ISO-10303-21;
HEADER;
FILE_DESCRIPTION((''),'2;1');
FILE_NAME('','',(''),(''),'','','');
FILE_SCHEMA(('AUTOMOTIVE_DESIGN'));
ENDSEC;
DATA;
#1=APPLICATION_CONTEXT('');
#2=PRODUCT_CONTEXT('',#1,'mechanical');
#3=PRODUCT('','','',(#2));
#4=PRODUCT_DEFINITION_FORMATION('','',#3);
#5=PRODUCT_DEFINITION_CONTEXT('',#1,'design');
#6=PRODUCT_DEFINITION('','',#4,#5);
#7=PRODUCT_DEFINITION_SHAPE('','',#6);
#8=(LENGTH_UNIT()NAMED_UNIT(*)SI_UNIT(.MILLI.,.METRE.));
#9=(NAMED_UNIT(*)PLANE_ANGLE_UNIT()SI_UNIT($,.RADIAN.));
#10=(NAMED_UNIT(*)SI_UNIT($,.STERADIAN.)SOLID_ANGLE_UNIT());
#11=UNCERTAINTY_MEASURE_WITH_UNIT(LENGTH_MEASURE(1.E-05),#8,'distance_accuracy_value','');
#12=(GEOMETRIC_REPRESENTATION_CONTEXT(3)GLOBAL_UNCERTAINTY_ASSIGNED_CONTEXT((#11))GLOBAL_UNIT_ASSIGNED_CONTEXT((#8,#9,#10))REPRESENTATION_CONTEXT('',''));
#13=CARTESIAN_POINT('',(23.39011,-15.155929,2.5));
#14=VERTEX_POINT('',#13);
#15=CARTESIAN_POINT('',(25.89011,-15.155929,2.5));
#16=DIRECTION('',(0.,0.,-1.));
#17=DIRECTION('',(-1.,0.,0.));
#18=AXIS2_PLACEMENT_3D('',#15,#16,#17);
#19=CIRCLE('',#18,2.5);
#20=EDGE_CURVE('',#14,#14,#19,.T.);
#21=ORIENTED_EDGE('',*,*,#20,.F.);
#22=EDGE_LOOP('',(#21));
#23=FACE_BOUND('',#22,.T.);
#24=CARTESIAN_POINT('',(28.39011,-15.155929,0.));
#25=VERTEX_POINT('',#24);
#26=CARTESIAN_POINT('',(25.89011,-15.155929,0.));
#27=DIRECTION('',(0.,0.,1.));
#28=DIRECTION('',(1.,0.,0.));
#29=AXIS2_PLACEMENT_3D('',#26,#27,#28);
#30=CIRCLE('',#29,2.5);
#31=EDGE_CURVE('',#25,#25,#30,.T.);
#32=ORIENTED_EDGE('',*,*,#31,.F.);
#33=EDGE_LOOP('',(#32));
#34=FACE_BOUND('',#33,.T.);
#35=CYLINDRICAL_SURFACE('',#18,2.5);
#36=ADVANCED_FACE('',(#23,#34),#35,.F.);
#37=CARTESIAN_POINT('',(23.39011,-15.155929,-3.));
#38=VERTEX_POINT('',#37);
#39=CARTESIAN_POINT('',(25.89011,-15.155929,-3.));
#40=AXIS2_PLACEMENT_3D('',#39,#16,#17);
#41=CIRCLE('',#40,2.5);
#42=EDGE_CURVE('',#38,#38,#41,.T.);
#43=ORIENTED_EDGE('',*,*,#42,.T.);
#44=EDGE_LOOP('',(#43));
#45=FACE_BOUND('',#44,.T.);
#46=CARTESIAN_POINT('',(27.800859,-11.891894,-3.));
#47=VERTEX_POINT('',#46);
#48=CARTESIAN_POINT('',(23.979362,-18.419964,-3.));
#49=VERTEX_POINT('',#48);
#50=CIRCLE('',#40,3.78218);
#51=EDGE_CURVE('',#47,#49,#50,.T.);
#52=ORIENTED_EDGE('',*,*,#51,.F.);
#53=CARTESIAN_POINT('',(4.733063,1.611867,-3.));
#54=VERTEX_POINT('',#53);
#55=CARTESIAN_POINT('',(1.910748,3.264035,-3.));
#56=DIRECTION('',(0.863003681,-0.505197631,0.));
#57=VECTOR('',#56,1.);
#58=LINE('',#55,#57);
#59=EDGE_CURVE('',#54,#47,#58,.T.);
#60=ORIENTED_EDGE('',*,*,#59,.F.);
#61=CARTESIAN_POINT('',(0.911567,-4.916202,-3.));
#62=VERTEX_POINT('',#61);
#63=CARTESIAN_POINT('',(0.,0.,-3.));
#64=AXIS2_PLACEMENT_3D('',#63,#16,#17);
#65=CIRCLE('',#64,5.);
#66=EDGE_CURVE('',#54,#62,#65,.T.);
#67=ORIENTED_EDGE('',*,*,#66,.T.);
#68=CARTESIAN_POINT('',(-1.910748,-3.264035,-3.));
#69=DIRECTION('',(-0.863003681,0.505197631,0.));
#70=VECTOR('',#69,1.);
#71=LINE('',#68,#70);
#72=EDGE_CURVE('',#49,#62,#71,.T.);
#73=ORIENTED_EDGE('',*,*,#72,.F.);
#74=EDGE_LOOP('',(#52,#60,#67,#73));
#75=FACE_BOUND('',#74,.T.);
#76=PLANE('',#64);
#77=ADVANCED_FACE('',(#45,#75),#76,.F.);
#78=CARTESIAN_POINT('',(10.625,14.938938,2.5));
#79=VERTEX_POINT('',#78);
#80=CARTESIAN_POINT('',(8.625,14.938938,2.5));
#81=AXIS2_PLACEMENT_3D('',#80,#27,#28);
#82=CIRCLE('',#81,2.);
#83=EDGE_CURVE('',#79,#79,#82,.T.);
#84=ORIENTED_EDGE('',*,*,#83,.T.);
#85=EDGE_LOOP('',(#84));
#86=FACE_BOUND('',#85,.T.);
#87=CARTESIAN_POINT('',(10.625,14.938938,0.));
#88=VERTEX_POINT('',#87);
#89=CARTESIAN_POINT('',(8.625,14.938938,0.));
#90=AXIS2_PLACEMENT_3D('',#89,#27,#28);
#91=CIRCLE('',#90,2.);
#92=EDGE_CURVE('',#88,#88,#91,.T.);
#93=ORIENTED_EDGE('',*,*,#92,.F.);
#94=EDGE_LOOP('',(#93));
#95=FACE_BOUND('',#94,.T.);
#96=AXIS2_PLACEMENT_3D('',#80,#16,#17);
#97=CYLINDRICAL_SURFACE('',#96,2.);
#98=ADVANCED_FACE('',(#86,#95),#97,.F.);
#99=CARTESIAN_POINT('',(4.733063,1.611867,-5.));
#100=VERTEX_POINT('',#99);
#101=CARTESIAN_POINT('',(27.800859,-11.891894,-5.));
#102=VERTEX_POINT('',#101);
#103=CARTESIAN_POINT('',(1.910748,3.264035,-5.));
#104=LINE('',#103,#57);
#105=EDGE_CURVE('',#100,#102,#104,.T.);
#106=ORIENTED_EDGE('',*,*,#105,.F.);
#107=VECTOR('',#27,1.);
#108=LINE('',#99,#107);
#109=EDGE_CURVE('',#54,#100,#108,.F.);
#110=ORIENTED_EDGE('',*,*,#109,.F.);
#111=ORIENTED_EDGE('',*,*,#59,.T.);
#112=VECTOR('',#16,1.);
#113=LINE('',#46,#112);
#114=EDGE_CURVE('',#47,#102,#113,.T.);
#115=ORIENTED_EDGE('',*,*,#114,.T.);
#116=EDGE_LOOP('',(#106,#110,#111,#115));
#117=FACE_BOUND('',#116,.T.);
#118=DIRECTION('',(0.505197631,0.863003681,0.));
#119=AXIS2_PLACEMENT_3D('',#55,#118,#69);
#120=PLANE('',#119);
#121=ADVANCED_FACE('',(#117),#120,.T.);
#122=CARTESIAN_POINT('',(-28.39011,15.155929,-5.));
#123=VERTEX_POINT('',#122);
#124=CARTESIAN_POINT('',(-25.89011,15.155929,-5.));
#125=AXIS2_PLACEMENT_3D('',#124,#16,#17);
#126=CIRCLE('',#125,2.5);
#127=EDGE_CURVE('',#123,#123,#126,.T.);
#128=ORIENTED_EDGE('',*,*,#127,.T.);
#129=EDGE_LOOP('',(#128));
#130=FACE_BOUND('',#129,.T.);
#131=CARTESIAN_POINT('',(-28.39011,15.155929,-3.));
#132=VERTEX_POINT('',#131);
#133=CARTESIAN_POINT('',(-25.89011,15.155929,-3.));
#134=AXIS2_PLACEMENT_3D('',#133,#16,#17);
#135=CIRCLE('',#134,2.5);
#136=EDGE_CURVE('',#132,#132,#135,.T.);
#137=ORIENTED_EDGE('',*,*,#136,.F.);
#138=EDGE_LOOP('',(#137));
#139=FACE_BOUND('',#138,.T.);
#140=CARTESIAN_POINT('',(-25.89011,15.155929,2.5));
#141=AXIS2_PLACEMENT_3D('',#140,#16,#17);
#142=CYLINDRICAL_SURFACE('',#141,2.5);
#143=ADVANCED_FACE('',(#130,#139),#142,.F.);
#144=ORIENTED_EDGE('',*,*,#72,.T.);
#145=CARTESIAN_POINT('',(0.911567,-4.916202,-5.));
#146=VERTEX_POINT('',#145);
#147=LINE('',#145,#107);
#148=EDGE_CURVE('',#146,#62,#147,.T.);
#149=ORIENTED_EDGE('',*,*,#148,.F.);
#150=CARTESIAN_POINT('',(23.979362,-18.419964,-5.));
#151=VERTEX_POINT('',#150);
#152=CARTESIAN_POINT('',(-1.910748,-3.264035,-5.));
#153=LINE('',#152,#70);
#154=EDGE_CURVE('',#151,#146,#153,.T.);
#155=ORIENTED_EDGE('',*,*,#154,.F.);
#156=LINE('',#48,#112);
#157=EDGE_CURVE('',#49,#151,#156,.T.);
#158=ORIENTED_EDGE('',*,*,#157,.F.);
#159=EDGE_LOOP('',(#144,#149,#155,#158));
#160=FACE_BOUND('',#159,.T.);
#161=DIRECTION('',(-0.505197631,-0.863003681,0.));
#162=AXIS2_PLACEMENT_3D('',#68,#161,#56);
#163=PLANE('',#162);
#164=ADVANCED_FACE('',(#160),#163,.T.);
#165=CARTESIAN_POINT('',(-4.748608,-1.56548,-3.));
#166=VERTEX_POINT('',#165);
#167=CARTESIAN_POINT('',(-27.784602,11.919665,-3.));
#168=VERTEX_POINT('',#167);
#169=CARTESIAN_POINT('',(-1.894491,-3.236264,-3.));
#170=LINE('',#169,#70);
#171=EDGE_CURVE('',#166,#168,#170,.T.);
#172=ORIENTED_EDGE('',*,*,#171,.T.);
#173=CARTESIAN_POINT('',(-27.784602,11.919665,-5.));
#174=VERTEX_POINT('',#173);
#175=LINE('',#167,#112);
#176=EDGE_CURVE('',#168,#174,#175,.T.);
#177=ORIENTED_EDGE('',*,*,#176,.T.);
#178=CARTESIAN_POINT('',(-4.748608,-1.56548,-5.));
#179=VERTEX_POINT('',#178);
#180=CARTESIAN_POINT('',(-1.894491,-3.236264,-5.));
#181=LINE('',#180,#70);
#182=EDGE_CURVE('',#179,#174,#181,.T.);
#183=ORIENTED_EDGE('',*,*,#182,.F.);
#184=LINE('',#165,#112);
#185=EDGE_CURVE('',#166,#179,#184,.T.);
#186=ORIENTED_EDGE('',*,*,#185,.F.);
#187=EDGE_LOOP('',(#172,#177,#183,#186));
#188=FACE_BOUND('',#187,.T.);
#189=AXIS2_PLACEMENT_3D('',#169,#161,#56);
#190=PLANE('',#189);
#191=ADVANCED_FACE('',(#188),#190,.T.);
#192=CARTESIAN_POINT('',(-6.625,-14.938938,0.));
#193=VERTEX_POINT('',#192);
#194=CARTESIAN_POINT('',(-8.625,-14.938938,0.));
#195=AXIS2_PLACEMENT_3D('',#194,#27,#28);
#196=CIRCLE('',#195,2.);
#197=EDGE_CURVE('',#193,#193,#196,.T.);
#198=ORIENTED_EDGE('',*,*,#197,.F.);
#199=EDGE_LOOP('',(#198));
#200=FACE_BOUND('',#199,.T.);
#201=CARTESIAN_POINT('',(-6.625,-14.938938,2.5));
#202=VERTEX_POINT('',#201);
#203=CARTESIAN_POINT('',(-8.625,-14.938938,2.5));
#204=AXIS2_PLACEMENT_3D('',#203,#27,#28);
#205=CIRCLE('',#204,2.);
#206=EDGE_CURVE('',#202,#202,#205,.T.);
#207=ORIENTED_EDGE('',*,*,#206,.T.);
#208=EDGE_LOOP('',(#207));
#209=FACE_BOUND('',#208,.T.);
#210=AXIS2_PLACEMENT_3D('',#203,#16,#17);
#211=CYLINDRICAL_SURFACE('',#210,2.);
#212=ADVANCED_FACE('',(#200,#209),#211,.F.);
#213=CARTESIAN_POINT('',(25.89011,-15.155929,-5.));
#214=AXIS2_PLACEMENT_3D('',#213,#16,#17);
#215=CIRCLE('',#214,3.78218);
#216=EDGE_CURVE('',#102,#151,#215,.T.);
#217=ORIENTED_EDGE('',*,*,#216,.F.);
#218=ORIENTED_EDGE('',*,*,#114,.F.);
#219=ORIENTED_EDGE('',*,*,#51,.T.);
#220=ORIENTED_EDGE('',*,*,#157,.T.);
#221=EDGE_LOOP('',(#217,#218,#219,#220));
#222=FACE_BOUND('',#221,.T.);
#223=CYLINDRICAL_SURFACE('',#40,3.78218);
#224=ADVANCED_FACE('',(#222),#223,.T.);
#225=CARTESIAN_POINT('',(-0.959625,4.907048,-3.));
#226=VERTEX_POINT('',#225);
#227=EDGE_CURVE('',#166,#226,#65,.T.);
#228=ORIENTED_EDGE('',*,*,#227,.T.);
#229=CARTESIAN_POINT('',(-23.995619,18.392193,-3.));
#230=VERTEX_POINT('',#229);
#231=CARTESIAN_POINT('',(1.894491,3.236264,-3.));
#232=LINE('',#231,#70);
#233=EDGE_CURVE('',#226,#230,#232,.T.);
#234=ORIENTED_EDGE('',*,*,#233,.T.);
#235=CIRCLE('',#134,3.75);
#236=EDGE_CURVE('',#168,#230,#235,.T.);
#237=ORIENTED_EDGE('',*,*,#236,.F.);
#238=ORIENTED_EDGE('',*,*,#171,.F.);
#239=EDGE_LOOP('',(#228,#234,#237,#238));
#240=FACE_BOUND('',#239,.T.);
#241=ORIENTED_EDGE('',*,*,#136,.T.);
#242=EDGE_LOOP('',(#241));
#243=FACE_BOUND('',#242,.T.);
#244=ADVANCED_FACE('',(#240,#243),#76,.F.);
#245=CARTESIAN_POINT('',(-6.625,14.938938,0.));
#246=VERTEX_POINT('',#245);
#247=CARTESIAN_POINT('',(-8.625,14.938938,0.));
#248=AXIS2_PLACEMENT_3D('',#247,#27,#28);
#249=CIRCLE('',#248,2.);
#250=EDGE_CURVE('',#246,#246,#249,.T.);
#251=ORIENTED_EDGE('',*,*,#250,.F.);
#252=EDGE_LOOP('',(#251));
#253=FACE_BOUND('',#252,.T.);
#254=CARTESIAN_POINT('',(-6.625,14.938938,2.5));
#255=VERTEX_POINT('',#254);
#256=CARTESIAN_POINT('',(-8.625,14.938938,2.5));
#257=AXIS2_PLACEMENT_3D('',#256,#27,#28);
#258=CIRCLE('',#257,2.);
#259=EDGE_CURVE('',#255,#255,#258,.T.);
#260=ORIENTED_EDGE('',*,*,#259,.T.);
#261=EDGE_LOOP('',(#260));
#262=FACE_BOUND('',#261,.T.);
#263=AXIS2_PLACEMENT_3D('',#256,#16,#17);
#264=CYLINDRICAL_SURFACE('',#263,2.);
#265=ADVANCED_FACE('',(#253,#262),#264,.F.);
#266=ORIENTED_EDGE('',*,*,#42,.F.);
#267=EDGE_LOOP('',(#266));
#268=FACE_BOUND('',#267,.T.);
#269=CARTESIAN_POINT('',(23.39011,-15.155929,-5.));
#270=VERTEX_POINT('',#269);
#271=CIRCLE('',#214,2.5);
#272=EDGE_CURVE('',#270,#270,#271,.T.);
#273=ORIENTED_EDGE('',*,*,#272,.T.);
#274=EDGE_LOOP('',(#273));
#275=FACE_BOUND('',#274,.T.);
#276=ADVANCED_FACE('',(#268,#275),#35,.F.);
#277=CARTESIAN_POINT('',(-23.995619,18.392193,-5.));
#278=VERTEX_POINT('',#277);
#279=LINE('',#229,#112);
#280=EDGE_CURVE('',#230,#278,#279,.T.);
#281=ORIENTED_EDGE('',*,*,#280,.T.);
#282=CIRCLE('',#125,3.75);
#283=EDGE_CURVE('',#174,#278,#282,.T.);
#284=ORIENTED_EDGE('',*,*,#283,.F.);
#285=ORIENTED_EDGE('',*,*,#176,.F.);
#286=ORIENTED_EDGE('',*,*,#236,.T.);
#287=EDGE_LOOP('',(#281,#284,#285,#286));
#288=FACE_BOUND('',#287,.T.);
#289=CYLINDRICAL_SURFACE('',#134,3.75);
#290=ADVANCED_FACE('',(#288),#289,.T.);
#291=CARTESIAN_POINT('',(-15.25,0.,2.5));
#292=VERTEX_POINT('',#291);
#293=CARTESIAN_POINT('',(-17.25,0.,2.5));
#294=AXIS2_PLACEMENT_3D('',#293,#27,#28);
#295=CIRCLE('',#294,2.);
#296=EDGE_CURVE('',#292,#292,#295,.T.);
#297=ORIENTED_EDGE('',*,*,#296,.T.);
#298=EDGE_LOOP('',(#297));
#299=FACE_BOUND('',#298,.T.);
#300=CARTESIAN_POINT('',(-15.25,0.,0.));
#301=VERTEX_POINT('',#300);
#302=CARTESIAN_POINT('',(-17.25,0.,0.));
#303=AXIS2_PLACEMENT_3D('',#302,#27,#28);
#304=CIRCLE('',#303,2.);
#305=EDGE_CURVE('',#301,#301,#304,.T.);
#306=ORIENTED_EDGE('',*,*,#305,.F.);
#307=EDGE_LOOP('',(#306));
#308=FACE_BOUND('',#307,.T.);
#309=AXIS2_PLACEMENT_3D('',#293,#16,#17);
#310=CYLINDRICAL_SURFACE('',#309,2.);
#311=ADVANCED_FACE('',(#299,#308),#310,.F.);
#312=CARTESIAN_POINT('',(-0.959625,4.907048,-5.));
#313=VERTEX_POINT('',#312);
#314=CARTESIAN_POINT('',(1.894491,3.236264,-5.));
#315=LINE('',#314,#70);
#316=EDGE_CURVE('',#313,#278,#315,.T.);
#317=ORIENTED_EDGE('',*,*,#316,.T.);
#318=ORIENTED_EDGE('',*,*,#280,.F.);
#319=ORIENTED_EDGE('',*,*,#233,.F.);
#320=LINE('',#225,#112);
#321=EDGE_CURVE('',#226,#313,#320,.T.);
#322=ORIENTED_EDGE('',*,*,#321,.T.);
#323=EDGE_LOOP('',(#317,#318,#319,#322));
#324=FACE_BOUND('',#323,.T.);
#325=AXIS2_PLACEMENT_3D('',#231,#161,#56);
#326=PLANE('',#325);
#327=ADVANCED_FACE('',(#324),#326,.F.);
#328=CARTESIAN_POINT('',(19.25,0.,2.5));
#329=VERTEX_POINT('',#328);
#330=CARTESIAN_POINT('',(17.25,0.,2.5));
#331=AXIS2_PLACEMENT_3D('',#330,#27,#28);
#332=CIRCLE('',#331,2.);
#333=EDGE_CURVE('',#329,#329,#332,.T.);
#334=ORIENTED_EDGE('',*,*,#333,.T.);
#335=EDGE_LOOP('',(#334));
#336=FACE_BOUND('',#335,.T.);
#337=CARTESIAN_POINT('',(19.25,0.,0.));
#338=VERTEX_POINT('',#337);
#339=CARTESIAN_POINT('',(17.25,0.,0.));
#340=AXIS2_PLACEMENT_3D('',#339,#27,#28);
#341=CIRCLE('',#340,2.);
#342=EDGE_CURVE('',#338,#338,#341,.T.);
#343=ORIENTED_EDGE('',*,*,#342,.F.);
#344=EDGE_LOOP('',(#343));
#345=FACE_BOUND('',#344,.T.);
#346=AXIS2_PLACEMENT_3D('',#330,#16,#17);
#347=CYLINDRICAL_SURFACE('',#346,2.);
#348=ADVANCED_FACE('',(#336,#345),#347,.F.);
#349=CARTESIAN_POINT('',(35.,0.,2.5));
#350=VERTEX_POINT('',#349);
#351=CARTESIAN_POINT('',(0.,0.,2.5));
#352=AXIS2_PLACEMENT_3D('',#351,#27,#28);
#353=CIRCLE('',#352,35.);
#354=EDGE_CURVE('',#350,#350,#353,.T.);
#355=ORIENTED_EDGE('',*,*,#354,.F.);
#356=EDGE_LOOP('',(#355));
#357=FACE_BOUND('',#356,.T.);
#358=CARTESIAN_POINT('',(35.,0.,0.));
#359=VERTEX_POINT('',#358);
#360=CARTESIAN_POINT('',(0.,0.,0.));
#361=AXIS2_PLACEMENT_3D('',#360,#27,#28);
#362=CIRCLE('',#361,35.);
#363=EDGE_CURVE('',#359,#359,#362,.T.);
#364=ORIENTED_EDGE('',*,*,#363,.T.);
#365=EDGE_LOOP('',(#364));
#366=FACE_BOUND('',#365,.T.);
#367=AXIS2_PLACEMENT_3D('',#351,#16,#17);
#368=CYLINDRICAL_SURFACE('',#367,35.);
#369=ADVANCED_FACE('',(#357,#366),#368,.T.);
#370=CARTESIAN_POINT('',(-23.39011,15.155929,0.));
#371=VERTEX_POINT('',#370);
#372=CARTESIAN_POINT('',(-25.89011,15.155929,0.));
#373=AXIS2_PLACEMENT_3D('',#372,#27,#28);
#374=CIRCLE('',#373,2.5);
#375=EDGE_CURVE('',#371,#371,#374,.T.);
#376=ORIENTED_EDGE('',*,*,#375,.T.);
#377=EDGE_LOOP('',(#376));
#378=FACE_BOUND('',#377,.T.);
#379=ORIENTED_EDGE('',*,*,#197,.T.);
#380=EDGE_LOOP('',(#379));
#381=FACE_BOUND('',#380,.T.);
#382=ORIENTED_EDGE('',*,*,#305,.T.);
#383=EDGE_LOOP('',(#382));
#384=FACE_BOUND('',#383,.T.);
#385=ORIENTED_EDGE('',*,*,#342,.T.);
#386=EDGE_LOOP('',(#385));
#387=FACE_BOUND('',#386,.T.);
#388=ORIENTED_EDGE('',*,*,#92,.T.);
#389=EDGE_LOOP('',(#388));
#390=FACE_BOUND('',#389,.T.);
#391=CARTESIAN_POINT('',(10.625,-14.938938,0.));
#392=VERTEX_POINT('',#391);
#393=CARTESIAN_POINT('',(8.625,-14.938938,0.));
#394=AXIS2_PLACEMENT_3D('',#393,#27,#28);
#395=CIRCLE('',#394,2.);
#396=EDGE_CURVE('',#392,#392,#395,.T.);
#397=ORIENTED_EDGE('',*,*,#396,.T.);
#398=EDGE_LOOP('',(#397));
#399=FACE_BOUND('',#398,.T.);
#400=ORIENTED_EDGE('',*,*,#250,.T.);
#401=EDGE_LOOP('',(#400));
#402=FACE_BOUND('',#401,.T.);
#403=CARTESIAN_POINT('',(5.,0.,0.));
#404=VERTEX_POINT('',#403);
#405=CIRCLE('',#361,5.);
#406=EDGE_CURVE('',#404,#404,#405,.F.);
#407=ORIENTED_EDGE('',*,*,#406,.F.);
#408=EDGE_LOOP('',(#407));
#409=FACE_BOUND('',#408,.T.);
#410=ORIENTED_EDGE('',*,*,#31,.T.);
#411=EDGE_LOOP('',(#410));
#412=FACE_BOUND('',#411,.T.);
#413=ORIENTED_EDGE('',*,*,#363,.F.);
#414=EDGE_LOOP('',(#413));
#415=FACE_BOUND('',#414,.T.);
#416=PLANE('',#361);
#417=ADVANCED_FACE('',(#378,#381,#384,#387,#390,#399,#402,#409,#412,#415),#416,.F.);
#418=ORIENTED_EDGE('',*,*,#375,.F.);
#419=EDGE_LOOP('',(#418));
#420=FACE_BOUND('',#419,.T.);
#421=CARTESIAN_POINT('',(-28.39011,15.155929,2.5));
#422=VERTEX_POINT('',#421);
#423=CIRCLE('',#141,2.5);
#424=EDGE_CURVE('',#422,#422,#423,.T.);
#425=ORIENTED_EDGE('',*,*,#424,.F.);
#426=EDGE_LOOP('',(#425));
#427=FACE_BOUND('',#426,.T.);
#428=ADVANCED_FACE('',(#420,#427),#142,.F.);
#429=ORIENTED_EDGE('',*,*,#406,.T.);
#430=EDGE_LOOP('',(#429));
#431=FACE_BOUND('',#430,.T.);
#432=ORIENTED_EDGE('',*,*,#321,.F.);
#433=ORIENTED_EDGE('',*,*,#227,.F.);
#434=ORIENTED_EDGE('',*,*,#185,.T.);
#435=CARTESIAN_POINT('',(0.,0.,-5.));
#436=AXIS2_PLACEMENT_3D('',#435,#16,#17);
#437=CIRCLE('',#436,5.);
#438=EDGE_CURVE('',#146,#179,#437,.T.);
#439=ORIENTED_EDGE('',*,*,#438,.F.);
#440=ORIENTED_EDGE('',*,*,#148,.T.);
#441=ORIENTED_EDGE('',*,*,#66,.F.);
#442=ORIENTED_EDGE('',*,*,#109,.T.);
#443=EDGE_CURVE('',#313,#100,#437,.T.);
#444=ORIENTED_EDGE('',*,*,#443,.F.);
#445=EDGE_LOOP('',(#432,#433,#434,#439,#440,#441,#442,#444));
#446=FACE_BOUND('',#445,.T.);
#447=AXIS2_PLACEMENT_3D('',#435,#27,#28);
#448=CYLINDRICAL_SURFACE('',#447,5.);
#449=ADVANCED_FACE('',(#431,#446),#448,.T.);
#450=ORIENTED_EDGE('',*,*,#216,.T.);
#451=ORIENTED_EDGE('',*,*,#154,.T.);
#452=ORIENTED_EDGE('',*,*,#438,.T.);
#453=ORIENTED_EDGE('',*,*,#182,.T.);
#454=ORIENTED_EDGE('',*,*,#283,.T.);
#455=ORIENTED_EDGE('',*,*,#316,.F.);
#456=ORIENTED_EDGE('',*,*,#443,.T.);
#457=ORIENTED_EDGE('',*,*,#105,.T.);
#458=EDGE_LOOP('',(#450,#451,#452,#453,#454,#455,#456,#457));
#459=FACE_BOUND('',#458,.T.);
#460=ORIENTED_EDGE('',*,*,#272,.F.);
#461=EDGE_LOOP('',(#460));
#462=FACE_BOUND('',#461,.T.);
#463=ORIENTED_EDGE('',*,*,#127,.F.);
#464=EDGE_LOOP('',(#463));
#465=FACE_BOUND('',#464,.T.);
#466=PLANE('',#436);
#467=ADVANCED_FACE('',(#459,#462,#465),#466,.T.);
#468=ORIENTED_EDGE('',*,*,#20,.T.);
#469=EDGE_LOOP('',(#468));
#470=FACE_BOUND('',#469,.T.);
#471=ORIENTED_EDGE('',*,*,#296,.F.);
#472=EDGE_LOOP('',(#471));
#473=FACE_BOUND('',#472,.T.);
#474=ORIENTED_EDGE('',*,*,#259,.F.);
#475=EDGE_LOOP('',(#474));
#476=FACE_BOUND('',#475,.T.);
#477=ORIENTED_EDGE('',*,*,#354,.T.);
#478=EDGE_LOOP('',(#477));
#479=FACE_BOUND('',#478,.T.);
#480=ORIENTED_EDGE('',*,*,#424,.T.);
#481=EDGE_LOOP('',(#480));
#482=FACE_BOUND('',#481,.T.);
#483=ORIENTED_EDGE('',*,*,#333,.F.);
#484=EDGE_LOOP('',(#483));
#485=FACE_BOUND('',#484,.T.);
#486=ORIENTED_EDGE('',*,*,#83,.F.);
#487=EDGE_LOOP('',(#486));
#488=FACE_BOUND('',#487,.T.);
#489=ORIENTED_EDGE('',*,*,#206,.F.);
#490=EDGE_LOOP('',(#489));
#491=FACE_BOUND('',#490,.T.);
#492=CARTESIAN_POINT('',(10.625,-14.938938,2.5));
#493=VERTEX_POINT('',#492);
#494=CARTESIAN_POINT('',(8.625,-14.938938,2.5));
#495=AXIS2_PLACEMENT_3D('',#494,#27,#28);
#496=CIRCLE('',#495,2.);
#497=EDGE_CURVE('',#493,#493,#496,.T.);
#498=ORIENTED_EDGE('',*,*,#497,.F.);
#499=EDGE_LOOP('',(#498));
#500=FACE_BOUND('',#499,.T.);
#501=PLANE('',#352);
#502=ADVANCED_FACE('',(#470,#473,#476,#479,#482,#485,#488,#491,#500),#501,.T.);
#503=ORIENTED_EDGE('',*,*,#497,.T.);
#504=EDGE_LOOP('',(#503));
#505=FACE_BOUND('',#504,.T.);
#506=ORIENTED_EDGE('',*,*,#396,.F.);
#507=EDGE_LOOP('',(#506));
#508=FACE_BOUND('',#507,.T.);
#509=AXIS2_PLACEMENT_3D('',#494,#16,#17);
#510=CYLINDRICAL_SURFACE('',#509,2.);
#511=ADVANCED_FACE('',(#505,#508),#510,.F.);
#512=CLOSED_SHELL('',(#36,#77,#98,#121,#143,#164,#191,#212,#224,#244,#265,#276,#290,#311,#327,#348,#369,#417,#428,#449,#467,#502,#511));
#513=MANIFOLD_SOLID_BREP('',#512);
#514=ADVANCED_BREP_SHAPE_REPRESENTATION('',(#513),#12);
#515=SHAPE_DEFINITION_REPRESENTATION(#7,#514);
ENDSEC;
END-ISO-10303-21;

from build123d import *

# Parameters (mm, degrees)
SKETCH_1_R          = 35
SKETCH_1_R_2        = 2
EXTRUDE_1_DEPTH     = 2.5
SKETCH_2_R          = 5
EXTRUDE_2_DEPTH     = 5
EXTRUDE_3_DEPTH     = 2
EXTRUDE_START       = -2
EXTRUDE_4_DEPTH     = 2
SKETCH_6_R          = 2.5
CUT_EXTRUDE_1_DEPTH = 51.062460986


with BuildPart() as part:
    # 草图1 → 凸台-拉伸1 (new body)
    with BuildSketch(Plane.XY):
        Circle(SKETCH_1_R)
        with Locations((17.25, 0)):
            Circle(SKETCH_1_R_2, mode=Mode.SUBTRACT)
        with Locations((8.625, -14.938938215)):
            Circle(SKETCH_1_R_2, mode=Mode.SUBTRACT)
        with Locations((-8.625, -14.938938215)):
            Circle(SKETCH_1_R_2, mode=Mode.SUBTRACT)
        with Locations((-17.25, 0)):
            Circle(SKETCH_1_R_2, mode=Mode.SUBTRACT)
        with Locations((-8.625, 14.938938215)):
            Circle(SKETCH_1_R_2, mode=Mode.SUBTRACT)
        with Locations((8.625, 14.938938215)):
            Circle(SKETCH_1_R_2, mode=Mode.SUBTRACT)
    extrude(amount=EXTRUDE_1_DEPTH)

    # 草图2 → 凸台-拉伸2 (add)
    with BuildSketch(Plane(origin=(0, 0, 0), x_dir=(-1, 0, 0), z_dir=(0, 0, -1))):
        with Locations(Location((0, 0, 0), (0, 0, 180))):
            Circle(SKETCH_2_R)
    extrude(amount=EXTRUDE_2_DEPTH)

    # 草图3 → 凸台-拉伸3 (add)
    with BuildSketch(Plane(origin=(0, 0, -5), x_dir=(-1, 0, 0), z_dir=(0, 0, -1))):
        with BuildLine():
            Line((1.910748146, -3.264034868), (-23.979362284, -18.419963804))
            ThreePointArc((-23.979362284, -18.419963804), (-29.154145298, -17.066677082), (-27.800858576, -11.891894068))
            Line((-27.800858576, -11.891894068), (-1.910748146, 3.264034868))
            ThreePointArc((-1.910748146, 3.264034868), (3.264034868, 1.910748146), (1.910748146, -3.264034868))
        make_face()
    extrude(amount=-EXTRUDE_3_DEPTH)

    # 草图5 → 凸台-拉伸4 (add)
    with BuildSketch(Plane(origin=(0, 0, -5), x_dir=(-1, 0, 0), z_dir=(0, 0, -1)).offset(EXTRUDE_START)):
        with BuildLine():
            Line((23.995619313, 18.39219274), (0.959625284, 4.907047923))
            ThreePointArc((0.959625284, 4.907047923), (4.315018405, 2.525988156), (4.748607518, -1.565479685))
            Line((4.748607518, -1.565479685), (27.784601547, 11.919665132))
            ThreePointArc((27.784601547, 11.919665132), (29.126374234, 17.050420053), (23.995619313, 18.39219274))
        make_face()
    extrude(amount=EXTRUDE_4_DEPTH)

    # 草图6 → 切除-拉伸1 (cut, through all)
    with BuildSketch(Plane(origin=(0, 0, -5), x_dir=(-1, 0, 0), z_dir=(0, 0, -1))):
        with Locations((-25.89011043, -15.155928936)):
            Circle(SKETCH_6_R)
        with Locations((25.89011043, 15.155928936)):
            Circle(SKETCH_6_R)
    extrude(amount=-CUT_EXTRUDE_1_DEPTH, mode=Mode.SUBTRACT)


solid = part.part
